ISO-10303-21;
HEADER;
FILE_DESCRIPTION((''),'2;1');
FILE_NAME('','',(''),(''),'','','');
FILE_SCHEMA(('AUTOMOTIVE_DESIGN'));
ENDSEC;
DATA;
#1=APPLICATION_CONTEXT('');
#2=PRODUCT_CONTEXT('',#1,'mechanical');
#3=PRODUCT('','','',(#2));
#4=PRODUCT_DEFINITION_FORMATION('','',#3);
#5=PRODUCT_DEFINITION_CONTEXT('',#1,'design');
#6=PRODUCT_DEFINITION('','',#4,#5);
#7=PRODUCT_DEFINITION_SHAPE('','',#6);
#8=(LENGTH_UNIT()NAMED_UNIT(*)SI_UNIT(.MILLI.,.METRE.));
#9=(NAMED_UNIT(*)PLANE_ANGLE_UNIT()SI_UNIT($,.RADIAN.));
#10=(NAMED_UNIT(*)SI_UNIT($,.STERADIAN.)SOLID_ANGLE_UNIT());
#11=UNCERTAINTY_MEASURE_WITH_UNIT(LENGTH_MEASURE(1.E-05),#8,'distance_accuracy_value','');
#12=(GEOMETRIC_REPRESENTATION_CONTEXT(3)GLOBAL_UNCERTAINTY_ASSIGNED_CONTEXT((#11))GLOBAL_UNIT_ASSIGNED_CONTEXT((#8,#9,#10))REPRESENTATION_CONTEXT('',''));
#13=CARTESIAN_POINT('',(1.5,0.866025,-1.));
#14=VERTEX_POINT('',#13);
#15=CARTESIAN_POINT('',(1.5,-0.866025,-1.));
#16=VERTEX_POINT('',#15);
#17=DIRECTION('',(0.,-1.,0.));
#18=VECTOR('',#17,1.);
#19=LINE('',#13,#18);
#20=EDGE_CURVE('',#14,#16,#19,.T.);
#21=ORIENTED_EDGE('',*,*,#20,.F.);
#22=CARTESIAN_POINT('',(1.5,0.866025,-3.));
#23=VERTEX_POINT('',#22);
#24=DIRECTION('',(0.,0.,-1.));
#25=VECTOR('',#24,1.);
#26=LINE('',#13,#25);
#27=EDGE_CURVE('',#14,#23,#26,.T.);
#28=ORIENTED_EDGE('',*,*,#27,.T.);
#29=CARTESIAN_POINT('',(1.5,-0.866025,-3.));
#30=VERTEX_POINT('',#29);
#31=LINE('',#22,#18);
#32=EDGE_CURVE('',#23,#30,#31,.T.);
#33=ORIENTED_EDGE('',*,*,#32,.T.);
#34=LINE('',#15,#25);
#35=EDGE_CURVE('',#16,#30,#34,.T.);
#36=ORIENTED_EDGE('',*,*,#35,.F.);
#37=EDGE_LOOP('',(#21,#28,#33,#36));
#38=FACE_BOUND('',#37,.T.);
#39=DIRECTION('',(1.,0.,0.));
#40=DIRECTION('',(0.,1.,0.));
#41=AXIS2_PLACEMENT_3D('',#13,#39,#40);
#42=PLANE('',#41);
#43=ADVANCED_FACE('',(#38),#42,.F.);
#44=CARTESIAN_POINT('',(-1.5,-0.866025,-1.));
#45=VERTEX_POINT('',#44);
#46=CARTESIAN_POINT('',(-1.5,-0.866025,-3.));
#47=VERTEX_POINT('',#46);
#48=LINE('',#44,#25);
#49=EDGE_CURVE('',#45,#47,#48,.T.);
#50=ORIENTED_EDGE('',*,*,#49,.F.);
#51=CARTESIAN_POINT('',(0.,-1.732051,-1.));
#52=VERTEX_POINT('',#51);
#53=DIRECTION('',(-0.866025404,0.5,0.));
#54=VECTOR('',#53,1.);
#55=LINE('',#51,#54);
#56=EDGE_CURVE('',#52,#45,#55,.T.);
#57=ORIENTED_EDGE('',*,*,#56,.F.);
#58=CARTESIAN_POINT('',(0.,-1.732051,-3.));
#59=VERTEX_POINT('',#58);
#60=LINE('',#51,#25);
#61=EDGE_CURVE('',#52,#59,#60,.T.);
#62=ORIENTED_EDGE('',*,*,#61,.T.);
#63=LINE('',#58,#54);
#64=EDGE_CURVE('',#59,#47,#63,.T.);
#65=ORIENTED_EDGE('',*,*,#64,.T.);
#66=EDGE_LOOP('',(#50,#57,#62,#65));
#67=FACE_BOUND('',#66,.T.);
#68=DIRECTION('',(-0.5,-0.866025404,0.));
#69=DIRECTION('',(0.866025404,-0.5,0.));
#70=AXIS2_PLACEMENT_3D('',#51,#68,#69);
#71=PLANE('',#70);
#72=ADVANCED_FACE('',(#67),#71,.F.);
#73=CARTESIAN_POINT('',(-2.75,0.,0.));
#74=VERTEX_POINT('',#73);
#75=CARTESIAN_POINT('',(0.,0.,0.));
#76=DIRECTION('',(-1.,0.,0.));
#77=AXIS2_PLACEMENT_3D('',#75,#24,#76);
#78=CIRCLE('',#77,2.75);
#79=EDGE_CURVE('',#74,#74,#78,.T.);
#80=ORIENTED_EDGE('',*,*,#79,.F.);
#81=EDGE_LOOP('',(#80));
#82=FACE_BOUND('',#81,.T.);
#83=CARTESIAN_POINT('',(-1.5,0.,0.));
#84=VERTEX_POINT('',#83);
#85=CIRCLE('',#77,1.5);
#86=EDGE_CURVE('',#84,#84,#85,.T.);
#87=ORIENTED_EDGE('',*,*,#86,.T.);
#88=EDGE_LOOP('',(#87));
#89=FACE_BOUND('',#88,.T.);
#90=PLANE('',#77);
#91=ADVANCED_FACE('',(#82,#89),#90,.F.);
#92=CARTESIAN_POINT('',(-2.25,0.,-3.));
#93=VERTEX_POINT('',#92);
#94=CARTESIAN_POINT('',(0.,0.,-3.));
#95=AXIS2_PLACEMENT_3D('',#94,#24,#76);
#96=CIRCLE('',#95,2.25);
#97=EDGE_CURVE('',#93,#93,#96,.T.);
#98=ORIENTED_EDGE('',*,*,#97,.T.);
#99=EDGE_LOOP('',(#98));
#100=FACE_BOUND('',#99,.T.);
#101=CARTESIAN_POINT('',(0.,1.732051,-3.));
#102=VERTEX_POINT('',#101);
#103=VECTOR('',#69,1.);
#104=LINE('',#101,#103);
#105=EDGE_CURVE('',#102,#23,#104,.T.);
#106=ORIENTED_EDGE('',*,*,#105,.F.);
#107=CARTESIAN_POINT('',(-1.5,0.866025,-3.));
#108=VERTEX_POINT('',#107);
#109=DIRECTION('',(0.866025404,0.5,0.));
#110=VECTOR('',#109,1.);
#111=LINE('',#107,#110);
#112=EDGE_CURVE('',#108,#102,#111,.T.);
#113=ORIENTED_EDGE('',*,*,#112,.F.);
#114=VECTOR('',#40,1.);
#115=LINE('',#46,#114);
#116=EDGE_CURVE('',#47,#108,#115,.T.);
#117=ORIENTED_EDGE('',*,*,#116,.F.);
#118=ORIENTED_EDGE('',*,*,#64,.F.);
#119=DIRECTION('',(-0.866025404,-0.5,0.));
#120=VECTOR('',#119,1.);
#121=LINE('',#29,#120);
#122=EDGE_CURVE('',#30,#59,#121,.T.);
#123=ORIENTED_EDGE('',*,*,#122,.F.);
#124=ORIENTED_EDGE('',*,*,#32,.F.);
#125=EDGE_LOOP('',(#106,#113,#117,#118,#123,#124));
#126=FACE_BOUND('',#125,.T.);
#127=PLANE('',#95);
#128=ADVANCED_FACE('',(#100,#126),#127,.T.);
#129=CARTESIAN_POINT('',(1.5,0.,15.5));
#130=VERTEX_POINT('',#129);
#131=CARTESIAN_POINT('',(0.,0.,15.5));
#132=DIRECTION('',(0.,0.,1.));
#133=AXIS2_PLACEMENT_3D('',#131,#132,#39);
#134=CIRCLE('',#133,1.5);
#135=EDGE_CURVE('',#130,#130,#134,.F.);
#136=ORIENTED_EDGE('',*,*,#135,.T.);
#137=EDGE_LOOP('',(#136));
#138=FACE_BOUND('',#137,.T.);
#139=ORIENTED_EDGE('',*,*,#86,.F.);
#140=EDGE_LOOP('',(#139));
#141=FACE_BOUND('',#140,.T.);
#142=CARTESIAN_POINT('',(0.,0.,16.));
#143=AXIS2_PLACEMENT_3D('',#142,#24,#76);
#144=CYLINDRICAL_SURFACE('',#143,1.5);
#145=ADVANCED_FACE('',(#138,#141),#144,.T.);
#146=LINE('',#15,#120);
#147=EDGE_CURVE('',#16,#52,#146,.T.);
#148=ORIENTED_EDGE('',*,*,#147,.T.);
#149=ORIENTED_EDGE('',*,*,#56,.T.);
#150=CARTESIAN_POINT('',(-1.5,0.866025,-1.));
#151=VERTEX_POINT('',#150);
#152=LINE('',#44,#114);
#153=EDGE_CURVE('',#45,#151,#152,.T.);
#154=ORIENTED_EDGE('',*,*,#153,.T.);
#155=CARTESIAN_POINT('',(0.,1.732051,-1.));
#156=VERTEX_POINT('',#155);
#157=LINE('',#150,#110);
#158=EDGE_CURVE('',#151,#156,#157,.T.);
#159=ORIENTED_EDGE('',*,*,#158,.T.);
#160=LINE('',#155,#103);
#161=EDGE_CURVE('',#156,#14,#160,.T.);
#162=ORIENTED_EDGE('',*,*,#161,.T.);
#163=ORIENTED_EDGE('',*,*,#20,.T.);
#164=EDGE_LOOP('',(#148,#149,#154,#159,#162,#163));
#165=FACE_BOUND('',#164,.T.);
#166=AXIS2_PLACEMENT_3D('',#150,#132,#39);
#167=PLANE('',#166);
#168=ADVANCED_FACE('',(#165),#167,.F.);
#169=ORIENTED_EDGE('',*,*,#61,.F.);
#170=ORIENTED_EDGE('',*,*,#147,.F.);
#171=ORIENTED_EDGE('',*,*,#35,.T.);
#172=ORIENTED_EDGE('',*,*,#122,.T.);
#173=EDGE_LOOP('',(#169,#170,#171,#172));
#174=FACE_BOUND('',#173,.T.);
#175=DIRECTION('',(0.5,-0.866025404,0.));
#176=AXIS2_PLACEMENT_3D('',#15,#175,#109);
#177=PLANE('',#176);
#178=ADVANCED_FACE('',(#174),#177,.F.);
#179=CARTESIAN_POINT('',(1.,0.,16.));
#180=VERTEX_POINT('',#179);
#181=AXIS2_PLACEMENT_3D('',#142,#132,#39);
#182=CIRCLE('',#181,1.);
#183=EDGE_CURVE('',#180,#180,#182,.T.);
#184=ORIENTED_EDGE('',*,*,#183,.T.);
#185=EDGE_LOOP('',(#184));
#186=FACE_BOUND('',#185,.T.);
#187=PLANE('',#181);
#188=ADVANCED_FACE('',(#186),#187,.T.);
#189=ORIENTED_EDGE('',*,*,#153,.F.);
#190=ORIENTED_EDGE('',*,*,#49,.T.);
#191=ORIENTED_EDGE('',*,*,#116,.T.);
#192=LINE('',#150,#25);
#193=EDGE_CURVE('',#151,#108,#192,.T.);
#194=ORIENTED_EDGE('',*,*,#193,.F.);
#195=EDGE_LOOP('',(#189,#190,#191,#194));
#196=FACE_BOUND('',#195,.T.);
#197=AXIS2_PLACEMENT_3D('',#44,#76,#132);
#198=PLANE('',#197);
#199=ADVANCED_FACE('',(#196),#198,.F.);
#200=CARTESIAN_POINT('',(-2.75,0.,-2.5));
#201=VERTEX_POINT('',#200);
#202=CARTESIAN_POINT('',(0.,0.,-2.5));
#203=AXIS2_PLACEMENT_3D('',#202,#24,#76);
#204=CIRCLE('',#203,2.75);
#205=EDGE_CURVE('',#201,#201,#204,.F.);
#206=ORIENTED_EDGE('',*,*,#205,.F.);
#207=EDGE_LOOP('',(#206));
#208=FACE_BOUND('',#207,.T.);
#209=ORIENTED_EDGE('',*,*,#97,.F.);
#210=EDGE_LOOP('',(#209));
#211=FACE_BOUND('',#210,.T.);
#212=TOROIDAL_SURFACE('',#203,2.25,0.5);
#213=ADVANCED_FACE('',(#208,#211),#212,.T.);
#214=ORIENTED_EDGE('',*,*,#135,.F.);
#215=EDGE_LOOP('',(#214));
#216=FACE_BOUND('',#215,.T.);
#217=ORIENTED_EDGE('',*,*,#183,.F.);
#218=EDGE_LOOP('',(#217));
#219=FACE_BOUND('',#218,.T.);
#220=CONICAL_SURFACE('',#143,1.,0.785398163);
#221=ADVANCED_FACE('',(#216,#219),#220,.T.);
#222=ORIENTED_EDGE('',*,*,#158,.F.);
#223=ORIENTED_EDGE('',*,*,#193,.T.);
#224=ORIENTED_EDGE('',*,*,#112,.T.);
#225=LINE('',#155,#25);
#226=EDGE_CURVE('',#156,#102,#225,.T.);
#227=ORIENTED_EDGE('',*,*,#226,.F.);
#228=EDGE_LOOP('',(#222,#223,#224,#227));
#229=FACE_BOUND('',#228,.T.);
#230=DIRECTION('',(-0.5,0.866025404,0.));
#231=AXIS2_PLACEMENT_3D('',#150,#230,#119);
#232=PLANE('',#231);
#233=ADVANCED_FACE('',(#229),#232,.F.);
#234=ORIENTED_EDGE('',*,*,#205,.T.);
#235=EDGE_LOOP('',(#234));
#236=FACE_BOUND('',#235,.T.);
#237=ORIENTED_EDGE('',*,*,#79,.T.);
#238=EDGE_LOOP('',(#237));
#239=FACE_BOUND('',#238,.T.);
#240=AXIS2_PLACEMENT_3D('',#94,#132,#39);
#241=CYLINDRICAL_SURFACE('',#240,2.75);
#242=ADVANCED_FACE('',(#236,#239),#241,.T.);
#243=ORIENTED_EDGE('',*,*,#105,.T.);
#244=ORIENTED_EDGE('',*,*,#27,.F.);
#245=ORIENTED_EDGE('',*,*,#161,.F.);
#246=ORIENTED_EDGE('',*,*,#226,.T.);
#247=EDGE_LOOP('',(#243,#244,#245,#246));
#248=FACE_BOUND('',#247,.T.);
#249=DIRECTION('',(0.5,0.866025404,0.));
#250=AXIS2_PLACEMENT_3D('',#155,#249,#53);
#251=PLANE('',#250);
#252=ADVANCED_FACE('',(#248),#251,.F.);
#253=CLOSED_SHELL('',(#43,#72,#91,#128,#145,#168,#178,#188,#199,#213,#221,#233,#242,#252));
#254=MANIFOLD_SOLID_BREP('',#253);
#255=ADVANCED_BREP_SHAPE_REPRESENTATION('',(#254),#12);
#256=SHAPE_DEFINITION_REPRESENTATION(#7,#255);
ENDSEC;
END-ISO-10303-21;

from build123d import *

# Parameters (mm, degrees)
ESQUISSE1_R             = 1.5
BASE_EXTRUSION_DEPTH    = 16
CHANFREIN1_SIZE         = 0.5
ESQUISSE2_R             = 2.75
BOSS_EXTRU_1_DEPTH      = 3
CONG_1_R                = 0.5
ENL_V_MAT_EXTRU_1_DEPTH = 2


with BuildPart() as part:
    # Esquisse1 → Base-Extrusion (new body)
    with BuildSketch(Plane.XY):
        Circle(ESQUISSE1_R)
    extrude(amount=BASE_EXTRUSION_DEPTH)

    # Chanfrein1
    chanfrein1_edges = [part.edges().sort_by_distance(p)[0] for p in [
        (-1.5, 0, 16),
    ]]
    chamfer(chanfrein1_edges, length=CHANFREIN1_SIZE)

    # Esquisse2 → Boss.-Extru.1 (add)
    with BuildSketch(Plane(origin=(0, 0, 0), x_dir=(-1, 0, 0), z_dir=(0, 0, -1))):
        Circle(ESQUISSE2_R)
    extrude(amount=BOSS_EXTRU_1_DEPTH)

    # Congé1
    cong_1_edges = [part.edges().sort_by_distance(p)[0] for p in [
        (2.75, 0, -3),
    ]]
    fillet(cong_1_edges, radius=CONG_1_R)

    # Esquisse3 → Enlèv. mat.-Extru.1 (cut)
    with BuildSketch(Plane(origin=(0, 0, -3), x_dir=(-1, 0, 0), z_dir=(0, 0, -1))):
        Polygon((0, 1.732050808), (-1.5, 0.866025404), (-1.5, -0.866025404), (0, -1.732050808), (1.5, -0.866025404), (1.5, 0.866025404), align=None)
    extrude(amount=-ENL_V_MAT_EXTRU_1_DEPTH, mode=Mode.SUBTRACT)


solid = part.part
